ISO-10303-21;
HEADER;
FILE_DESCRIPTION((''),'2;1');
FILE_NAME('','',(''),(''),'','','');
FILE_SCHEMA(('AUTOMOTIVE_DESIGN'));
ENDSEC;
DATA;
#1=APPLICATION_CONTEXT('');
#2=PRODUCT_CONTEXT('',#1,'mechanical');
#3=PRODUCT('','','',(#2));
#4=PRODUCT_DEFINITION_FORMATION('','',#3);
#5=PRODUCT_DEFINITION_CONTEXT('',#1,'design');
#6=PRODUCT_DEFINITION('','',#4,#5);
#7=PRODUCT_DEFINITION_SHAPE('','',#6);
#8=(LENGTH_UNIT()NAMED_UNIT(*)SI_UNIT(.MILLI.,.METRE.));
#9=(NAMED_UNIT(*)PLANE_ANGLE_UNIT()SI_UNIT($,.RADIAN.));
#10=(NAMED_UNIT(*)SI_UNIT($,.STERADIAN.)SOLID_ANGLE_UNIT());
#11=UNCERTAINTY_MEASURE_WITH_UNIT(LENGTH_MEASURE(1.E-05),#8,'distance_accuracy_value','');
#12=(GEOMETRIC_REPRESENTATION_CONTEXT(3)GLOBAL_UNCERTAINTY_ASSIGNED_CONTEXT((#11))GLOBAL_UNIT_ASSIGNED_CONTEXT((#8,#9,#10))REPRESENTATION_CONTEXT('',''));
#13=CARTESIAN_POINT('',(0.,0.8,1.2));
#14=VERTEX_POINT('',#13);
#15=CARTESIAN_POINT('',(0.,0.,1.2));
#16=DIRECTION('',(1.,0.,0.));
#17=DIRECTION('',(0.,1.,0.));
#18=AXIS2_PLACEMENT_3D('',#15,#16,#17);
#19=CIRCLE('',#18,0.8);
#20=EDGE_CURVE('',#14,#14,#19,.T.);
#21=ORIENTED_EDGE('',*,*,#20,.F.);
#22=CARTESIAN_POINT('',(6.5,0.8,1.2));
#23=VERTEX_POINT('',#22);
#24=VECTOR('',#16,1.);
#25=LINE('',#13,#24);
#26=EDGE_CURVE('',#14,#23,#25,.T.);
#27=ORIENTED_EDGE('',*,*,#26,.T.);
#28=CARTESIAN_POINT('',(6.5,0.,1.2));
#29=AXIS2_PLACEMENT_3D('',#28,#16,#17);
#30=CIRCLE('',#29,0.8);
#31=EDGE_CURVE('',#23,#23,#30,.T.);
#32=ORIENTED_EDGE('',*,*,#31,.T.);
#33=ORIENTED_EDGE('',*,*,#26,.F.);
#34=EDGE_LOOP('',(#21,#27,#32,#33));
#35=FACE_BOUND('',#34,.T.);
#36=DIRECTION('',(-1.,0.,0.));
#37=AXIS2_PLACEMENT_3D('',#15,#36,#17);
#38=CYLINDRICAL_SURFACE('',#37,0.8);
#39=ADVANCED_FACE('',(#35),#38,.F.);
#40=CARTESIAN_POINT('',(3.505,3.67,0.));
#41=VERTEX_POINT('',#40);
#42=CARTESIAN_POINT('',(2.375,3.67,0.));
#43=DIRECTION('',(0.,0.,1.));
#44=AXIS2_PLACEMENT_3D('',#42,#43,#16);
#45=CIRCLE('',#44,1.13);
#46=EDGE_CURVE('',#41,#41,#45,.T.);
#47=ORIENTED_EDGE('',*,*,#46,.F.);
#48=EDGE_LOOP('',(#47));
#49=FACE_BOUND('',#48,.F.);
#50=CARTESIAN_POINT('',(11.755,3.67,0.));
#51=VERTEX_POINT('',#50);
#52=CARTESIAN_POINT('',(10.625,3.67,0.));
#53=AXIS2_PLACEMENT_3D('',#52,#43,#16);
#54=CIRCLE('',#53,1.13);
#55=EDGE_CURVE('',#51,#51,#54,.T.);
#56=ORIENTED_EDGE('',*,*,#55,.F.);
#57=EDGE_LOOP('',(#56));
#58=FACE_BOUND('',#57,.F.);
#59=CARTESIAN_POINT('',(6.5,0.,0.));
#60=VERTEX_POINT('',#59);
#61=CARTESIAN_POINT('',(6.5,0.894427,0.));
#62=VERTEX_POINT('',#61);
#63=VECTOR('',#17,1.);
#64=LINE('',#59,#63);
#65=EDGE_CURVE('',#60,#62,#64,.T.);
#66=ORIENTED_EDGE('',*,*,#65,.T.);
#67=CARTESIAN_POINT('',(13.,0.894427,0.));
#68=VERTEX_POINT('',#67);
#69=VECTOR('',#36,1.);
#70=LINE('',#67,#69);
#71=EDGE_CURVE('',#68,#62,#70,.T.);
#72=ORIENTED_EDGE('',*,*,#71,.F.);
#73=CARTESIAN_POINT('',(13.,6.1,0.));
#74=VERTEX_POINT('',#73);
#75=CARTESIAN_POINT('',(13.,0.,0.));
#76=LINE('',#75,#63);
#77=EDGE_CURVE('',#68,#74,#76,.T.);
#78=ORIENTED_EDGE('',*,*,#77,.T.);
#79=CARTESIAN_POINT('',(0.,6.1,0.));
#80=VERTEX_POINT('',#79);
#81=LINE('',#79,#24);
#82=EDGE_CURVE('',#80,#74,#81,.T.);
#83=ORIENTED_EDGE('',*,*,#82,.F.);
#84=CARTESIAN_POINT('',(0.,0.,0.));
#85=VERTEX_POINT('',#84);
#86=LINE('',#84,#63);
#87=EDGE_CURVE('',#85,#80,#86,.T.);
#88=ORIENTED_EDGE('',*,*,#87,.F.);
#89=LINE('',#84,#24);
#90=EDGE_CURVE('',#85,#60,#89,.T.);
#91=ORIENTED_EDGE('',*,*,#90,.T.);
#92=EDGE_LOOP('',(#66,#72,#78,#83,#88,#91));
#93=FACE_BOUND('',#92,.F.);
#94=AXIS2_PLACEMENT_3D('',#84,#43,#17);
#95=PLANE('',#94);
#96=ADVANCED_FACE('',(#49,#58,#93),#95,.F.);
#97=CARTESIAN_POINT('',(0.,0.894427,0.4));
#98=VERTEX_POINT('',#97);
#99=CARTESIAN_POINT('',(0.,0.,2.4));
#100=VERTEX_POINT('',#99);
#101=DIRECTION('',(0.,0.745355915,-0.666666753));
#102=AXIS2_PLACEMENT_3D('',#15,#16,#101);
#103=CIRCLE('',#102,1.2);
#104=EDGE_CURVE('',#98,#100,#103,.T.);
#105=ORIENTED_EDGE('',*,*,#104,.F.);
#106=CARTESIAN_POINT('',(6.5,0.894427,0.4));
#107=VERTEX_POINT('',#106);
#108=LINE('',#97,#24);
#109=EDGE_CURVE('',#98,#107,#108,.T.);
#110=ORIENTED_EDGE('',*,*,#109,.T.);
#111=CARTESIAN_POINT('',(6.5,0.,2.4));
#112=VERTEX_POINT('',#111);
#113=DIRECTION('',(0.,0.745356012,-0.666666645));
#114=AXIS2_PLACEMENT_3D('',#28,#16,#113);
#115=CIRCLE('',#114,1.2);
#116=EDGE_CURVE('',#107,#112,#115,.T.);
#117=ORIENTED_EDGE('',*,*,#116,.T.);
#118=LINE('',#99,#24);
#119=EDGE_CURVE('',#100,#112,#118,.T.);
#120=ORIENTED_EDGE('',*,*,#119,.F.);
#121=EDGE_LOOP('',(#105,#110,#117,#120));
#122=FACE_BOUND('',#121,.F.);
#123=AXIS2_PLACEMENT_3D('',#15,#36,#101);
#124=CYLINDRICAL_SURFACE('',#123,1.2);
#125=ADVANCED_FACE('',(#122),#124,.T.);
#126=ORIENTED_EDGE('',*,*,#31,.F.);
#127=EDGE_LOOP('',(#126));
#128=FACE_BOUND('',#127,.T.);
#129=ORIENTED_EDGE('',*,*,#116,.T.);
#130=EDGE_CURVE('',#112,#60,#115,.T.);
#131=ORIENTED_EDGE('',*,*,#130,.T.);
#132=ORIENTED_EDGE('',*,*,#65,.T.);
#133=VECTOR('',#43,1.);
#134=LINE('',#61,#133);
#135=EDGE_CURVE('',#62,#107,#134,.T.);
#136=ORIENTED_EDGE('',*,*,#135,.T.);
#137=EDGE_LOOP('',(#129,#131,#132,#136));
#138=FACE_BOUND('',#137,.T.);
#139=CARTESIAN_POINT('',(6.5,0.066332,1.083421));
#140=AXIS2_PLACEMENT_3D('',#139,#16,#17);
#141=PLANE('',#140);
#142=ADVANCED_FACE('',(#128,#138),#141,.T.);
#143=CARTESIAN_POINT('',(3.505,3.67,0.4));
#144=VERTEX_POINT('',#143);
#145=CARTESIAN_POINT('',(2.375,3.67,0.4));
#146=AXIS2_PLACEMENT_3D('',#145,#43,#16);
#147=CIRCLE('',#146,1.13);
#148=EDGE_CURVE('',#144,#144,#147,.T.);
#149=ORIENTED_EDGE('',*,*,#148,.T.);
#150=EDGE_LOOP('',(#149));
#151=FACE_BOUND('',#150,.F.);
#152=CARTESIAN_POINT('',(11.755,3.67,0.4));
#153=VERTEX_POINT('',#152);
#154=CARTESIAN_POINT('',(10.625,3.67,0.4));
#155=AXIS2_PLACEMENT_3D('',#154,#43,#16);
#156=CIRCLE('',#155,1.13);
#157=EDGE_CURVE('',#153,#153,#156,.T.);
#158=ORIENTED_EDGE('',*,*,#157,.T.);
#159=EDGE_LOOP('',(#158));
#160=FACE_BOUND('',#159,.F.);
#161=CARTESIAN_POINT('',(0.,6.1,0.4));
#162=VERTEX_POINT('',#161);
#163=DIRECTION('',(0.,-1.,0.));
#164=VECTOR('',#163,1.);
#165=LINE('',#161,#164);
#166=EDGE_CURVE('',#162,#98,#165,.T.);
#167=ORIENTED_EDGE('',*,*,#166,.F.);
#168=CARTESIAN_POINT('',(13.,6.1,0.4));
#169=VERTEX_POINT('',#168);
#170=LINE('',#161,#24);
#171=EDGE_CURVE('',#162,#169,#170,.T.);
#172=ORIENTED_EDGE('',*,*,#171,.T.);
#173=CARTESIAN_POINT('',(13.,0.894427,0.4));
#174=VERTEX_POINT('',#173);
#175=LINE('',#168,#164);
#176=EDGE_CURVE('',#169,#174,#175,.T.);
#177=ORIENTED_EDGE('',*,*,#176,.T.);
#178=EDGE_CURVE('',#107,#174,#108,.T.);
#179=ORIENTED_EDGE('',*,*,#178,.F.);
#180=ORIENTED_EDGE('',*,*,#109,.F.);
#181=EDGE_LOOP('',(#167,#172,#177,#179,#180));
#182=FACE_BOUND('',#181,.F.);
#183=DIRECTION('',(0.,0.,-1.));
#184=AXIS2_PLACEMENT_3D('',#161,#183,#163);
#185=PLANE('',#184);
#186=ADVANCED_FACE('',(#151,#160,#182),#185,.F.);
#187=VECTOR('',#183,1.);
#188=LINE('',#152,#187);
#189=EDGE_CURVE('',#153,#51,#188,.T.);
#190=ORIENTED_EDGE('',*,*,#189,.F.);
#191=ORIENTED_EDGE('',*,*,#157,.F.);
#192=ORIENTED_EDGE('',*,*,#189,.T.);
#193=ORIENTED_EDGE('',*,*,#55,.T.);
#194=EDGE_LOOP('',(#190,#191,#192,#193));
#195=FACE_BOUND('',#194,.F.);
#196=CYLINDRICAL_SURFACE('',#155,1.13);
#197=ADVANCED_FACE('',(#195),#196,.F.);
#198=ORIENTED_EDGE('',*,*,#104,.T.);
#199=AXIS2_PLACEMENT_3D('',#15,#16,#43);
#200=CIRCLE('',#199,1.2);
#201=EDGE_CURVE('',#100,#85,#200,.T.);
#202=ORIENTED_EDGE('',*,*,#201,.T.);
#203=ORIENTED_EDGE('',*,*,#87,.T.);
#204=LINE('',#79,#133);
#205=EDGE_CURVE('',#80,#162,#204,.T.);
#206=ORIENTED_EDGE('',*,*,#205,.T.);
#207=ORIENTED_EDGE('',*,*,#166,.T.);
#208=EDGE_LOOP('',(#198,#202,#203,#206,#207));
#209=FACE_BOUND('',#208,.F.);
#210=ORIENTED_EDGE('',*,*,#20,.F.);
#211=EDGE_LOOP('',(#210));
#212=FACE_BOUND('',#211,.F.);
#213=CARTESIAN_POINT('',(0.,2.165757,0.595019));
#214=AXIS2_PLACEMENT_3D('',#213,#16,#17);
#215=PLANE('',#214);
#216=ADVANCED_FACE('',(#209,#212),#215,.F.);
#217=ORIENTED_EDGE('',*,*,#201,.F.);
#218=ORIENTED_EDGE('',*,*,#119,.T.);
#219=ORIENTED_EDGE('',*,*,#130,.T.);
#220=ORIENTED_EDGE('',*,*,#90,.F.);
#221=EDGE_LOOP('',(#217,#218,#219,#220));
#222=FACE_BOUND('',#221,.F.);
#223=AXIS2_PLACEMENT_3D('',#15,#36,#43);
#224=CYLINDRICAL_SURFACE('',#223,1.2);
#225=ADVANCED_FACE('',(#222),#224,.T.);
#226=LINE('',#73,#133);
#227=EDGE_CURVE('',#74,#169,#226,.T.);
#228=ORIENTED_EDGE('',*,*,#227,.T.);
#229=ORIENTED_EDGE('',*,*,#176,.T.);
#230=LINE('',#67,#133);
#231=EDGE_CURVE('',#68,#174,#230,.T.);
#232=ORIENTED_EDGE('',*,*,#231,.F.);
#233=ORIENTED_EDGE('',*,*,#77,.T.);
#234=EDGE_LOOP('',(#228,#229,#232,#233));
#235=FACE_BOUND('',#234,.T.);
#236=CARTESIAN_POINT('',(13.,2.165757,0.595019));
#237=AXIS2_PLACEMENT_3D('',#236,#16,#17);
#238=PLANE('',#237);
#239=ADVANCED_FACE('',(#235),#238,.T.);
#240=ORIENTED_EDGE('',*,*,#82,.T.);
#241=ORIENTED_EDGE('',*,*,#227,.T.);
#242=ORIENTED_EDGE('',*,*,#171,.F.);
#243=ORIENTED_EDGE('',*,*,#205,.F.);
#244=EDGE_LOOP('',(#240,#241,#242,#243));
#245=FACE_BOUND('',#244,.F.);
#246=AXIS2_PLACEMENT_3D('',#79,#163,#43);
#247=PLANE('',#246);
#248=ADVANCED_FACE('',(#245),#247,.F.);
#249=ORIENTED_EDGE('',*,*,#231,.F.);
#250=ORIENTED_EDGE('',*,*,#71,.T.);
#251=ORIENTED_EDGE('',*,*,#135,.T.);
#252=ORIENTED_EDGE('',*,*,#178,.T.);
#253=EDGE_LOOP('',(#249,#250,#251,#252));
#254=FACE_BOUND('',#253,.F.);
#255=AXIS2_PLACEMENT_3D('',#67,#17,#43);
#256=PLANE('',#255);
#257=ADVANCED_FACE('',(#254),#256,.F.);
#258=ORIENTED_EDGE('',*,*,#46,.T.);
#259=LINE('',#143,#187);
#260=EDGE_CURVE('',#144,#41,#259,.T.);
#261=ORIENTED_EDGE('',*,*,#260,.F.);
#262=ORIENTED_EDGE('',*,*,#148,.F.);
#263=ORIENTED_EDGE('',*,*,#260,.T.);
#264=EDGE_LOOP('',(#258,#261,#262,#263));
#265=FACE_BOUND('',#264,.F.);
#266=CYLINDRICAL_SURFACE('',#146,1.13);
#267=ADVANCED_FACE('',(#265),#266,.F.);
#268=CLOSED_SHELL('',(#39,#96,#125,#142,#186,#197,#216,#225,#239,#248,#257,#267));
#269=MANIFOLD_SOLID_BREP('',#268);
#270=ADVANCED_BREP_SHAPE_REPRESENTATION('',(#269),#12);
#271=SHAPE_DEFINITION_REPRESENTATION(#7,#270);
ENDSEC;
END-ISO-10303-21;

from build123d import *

# Parameters (mm, degrees)
F0_R     = 0.8
F1_DEPTH = 13
F2_R     = 0.8
F3_DEPTH = 6.5
F4_R     = 1.13
F5_DEPTH = 0.4


with BuildPart() as f1:
    # F0 (on Right) → F1 (new body)
    with BuildSketch(Plane.YZ):
        with BuildLine():
            ThreePointArc((0, 2.4), (-1.2, 1.2), (0, 0))
            Line((0, 0), (6.1, 0))
            Line((6.1, 0), (6.1, 0.4))
            Line((6.1, 0.4), (0.894427, 0.4))
            ThreePointArc((0.894427, 0.4), (1.095445, 1.689898), (0, 2.4))
        make_face()
        with Locations((0, 1.2)):
            Circle(F0_R, mode=Mode.SUBTRACT)
    extrude(amount=F1_DEPTH)

    # F2 (on face) → F3 (cut)
    with BuildSketch(Plane.YZ.offset(13)):
        with BuildLine():
            Line((0.894427, 0), (0.894427, 0.4))
            ThreePointArc((0.894427, 0.4), (-0.489898, 2.295445), (0, 0))
            Line((0, 0), (0.894427, 0))
        make_face()
        with Locations((0, 1.2)):
            Circle(F2_R, mode=Mode.SUBTRACT)
    extrude(amount=-F3_DEPTH, mode=Mode.SUBTRACT)

    # F4 (on face) → F5 (cut, through all)
    with BuildSketch(Plane.XY.offset(0.4)):
        with Locations((2.375, 3.67)):
            Circle(F4_R)
        with Locations((10.625, 3.67)):
            Circle(F4_R)
    extrude(amount=-F5_DEPTH, mode=Mode.SUBTRACT)


solid = f1.part
